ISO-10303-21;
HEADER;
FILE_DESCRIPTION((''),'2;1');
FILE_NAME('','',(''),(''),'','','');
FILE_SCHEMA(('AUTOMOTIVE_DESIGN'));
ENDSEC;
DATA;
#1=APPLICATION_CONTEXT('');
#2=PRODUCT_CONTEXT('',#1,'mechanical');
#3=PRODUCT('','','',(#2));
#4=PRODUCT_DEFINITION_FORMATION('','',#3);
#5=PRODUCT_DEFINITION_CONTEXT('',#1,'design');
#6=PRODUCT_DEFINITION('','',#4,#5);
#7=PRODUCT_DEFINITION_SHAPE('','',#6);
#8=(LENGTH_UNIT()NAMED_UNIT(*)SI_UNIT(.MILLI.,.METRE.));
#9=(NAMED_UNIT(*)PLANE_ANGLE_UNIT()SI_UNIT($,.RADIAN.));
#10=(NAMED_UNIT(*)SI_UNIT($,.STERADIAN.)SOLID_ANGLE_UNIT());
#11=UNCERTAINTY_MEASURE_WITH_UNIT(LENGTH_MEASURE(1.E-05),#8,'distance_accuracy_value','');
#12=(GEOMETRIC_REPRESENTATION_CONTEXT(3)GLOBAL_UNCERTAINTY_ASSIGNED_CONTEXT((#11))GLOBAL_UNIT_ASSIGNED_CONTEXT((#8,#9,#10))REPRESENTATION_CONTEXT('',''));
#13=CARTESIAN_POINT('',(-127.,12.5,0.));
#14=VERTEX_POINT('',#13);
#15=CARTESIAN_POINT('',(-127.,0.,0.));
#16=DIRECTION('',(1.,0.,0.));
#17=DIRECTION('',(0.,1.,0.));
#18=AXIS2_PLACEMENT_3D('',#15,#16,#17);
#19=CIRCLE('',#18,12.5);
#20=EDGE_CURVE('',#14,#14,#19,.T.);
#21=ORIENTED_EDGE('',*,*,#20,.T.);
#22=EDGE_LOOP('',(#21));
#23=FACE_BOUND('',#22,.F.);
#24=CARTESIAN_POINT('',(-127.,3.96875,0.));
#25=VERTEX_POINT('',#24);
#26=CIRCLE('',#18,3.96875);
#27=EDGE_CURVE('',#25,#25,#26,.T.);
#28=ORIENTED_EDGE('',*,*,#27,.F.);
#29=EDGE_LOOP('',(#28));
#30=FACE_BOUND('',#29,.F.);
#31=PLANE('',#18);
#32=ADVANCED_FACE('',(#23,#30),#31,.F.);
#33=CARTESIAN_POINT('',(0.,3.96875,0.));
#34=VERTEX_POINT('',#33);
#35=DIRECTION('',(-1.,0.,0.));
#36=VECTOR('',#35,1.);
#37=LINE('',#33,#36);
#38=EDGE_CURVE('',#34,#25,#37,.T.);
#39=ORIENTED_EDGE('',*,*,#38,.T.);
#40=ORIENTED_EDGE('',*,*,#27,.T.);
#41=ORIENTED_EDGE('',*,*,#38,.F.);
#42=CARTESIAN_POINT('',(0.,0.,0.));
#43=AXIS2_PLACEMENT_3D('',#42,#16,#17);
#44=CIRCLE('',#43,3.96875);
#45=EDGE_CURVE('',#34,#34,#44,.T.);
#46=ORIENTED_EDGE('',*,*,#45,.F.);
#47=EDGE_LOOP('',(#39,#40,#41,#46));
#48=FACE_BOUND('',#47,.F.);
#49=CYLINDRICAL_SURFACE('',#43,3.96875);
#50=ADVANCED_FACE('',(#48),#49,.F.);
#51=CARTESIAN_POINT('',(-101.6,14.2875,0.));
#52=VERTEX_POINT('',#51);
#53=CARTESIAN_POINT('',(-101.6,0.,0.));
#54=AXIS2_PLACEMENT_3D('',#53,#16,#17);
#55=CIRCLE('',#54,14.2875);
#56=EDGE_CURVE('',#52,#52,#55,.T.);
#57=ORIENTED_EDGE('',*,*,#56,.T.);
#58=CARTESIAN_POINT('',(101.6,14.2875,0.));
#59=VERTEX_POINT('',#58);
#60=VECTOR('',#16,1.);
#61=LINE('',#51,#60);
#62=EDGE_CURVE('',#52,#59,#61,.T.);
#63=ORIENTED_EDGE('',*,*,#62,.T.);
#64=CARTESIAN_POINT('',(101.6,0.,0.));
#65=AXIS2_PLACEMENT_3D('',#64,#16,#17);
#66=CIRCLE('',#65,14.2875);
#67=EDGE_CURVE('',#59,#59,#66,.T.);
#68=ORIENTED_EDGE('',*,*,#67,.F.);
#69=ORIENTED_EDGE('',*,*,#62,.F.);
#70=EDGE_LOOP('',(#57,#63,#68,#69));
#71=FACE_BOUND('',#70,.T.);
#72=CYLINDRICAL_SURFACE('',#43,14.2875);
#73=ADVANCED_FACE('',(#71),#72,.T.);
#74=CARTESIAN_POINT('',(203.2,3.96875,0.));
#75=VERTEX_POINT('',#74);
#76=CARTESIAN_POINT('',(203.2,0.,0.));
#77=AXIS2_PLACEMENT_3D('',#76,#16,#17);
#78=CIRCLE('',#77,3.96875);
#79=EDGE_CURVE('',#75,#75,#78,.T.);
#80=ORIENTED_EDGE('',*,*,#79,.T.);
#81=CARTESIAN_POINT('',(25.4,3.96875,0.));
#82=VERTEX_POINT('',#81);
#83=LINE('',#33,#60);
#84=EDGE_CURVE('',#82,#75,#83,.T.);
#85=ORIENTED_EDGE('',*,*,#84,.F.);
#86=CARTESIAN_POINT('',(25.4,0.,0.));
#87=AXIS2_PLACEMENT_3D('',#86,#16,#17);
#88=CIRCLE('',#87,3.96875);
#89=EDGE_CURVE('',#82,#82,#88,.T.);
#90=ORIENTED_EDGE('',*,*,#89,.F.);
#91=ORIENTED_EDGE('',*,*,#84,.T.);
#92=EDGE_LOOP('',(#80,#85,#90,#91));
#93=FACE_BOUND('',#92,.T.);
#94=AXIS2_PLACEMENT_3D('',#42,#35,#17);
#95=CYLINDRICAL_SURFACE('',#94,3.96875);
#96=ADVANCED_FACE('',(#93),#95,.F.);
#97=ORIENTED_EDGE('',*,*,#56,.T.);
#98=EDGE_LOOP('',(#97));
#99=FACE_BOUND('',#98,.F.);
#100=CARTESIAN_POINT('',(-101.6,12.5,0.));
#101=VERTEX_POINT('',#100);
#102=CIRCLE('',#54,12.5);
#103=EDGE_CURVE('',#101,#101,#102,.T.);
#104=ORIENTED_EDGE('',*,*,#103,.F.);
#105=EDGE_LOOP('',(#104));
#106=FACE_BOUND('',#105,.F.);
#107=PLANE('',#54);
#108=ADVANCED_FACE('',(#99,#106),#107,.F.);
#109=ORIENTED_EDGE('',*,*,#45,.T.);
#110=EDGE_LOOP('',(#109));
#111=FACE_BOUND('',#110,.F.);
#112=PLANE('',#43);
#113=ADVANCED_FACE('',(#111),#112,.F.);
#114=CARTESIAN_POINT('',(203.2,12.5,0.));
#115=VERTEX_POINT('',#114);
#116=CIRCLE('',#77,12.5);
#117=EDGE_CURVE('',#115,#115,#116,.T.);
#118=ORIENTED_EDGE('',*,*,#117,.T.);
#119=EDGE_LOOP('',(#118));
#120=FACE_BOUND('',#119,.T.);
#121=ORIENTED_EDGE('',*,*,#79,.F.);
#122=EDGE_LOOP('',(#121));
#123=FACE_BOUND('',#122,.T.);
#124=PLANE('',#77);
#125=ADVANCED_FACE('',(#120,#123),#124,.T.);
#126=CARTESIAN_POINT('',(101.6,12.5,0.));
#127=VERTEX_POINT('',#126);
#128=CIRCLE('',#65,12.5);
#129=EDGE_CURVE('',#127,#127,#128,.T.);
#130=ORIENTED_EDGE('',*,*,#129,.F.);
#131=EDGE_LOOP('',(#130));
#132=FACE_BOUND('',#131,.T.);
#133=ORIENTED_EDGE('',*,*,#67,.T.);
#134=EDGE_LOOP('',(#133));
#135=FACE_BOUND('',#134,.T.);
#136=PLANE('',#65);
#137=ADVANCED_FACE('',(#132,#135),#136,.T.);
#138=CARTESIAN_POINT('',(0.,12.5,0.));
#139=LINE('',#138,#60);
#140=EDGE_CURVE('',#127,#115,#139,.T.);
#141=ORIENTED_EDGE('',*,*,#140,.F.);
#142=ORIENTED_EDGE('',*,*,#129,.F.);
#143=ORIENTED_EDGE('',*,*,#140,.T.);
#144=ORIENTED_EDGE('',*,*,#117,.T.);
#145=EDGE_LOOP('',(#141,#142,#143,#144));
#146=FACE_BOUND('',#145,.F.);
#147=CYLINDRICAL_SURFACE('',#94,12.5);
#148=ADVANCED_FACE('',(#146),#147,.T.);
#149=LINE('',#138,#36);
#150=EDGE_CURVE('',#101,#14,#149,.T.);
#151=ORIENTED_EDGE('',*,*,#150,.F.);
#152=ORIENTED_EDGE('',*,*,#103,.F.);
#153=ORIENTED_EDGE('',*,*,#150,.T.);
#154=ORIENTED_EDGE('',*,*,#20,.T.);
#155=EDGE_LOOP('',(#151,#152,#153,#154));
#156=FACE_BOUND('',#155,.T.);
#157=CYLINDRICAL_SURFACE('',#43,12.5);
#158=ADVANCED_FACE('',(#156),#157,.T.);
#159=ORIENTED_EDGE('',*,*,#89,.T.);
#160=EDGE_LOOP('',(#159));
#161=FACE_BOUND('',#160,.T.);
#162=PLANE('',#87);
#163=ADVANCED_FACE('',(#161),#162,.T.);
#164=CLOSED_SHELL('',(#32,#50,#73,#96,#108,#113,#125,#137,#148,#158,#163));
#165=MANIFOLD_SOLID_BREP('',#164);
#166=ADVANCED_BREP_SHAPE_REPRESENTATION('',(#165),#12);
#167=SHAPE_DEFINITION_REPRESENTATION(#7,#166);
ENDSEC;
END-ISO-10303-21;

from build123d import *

# Parameters (mm, degrees)
F0_R          = 14.2875
F0_R_2        = 12.5
F1_DEPTH      = 101.6
F1_DEPTH_BACK = 101.6
F0_R_3        = 3.96875
F2_DEPTH      = 203.2
F2_DEPTH_BACK = 127
F3_DEPTH      = 25.4


with BuildPart() as f1:
    # F0 (on Right) → F1 (new body, two sides)
    with BuildSketch(Plane.YZ) as f1_sk:
        Circle(F0_R)
        Circle(F0_R_2, mode=Mode.SUBTRACT)
    extrude(amount=F1_DEPTH)
    extrude(f1_sk.sketch, amount=-F1_DEPTH_BACK)

    # F0 (on Right) → F2 (join, two sides)
    with BuildSketch(Plane.YZ) as f2_sk:
        Circle(F0_R_2)
        Circle(F0_R_3, mode=Mode.SUBTRACT)
    extrude(amount=F2_DEPTH)
    extrude(f2_sk.sketch, amount=-F2_DEPTH_BACK)

    # F0 (on Right) → F3 (join)
    with BuildSketch(Plane.YZ):
        Circle(F0_R_3)
    extrude(amount=F3_DEPTH)


solid = f1.part
